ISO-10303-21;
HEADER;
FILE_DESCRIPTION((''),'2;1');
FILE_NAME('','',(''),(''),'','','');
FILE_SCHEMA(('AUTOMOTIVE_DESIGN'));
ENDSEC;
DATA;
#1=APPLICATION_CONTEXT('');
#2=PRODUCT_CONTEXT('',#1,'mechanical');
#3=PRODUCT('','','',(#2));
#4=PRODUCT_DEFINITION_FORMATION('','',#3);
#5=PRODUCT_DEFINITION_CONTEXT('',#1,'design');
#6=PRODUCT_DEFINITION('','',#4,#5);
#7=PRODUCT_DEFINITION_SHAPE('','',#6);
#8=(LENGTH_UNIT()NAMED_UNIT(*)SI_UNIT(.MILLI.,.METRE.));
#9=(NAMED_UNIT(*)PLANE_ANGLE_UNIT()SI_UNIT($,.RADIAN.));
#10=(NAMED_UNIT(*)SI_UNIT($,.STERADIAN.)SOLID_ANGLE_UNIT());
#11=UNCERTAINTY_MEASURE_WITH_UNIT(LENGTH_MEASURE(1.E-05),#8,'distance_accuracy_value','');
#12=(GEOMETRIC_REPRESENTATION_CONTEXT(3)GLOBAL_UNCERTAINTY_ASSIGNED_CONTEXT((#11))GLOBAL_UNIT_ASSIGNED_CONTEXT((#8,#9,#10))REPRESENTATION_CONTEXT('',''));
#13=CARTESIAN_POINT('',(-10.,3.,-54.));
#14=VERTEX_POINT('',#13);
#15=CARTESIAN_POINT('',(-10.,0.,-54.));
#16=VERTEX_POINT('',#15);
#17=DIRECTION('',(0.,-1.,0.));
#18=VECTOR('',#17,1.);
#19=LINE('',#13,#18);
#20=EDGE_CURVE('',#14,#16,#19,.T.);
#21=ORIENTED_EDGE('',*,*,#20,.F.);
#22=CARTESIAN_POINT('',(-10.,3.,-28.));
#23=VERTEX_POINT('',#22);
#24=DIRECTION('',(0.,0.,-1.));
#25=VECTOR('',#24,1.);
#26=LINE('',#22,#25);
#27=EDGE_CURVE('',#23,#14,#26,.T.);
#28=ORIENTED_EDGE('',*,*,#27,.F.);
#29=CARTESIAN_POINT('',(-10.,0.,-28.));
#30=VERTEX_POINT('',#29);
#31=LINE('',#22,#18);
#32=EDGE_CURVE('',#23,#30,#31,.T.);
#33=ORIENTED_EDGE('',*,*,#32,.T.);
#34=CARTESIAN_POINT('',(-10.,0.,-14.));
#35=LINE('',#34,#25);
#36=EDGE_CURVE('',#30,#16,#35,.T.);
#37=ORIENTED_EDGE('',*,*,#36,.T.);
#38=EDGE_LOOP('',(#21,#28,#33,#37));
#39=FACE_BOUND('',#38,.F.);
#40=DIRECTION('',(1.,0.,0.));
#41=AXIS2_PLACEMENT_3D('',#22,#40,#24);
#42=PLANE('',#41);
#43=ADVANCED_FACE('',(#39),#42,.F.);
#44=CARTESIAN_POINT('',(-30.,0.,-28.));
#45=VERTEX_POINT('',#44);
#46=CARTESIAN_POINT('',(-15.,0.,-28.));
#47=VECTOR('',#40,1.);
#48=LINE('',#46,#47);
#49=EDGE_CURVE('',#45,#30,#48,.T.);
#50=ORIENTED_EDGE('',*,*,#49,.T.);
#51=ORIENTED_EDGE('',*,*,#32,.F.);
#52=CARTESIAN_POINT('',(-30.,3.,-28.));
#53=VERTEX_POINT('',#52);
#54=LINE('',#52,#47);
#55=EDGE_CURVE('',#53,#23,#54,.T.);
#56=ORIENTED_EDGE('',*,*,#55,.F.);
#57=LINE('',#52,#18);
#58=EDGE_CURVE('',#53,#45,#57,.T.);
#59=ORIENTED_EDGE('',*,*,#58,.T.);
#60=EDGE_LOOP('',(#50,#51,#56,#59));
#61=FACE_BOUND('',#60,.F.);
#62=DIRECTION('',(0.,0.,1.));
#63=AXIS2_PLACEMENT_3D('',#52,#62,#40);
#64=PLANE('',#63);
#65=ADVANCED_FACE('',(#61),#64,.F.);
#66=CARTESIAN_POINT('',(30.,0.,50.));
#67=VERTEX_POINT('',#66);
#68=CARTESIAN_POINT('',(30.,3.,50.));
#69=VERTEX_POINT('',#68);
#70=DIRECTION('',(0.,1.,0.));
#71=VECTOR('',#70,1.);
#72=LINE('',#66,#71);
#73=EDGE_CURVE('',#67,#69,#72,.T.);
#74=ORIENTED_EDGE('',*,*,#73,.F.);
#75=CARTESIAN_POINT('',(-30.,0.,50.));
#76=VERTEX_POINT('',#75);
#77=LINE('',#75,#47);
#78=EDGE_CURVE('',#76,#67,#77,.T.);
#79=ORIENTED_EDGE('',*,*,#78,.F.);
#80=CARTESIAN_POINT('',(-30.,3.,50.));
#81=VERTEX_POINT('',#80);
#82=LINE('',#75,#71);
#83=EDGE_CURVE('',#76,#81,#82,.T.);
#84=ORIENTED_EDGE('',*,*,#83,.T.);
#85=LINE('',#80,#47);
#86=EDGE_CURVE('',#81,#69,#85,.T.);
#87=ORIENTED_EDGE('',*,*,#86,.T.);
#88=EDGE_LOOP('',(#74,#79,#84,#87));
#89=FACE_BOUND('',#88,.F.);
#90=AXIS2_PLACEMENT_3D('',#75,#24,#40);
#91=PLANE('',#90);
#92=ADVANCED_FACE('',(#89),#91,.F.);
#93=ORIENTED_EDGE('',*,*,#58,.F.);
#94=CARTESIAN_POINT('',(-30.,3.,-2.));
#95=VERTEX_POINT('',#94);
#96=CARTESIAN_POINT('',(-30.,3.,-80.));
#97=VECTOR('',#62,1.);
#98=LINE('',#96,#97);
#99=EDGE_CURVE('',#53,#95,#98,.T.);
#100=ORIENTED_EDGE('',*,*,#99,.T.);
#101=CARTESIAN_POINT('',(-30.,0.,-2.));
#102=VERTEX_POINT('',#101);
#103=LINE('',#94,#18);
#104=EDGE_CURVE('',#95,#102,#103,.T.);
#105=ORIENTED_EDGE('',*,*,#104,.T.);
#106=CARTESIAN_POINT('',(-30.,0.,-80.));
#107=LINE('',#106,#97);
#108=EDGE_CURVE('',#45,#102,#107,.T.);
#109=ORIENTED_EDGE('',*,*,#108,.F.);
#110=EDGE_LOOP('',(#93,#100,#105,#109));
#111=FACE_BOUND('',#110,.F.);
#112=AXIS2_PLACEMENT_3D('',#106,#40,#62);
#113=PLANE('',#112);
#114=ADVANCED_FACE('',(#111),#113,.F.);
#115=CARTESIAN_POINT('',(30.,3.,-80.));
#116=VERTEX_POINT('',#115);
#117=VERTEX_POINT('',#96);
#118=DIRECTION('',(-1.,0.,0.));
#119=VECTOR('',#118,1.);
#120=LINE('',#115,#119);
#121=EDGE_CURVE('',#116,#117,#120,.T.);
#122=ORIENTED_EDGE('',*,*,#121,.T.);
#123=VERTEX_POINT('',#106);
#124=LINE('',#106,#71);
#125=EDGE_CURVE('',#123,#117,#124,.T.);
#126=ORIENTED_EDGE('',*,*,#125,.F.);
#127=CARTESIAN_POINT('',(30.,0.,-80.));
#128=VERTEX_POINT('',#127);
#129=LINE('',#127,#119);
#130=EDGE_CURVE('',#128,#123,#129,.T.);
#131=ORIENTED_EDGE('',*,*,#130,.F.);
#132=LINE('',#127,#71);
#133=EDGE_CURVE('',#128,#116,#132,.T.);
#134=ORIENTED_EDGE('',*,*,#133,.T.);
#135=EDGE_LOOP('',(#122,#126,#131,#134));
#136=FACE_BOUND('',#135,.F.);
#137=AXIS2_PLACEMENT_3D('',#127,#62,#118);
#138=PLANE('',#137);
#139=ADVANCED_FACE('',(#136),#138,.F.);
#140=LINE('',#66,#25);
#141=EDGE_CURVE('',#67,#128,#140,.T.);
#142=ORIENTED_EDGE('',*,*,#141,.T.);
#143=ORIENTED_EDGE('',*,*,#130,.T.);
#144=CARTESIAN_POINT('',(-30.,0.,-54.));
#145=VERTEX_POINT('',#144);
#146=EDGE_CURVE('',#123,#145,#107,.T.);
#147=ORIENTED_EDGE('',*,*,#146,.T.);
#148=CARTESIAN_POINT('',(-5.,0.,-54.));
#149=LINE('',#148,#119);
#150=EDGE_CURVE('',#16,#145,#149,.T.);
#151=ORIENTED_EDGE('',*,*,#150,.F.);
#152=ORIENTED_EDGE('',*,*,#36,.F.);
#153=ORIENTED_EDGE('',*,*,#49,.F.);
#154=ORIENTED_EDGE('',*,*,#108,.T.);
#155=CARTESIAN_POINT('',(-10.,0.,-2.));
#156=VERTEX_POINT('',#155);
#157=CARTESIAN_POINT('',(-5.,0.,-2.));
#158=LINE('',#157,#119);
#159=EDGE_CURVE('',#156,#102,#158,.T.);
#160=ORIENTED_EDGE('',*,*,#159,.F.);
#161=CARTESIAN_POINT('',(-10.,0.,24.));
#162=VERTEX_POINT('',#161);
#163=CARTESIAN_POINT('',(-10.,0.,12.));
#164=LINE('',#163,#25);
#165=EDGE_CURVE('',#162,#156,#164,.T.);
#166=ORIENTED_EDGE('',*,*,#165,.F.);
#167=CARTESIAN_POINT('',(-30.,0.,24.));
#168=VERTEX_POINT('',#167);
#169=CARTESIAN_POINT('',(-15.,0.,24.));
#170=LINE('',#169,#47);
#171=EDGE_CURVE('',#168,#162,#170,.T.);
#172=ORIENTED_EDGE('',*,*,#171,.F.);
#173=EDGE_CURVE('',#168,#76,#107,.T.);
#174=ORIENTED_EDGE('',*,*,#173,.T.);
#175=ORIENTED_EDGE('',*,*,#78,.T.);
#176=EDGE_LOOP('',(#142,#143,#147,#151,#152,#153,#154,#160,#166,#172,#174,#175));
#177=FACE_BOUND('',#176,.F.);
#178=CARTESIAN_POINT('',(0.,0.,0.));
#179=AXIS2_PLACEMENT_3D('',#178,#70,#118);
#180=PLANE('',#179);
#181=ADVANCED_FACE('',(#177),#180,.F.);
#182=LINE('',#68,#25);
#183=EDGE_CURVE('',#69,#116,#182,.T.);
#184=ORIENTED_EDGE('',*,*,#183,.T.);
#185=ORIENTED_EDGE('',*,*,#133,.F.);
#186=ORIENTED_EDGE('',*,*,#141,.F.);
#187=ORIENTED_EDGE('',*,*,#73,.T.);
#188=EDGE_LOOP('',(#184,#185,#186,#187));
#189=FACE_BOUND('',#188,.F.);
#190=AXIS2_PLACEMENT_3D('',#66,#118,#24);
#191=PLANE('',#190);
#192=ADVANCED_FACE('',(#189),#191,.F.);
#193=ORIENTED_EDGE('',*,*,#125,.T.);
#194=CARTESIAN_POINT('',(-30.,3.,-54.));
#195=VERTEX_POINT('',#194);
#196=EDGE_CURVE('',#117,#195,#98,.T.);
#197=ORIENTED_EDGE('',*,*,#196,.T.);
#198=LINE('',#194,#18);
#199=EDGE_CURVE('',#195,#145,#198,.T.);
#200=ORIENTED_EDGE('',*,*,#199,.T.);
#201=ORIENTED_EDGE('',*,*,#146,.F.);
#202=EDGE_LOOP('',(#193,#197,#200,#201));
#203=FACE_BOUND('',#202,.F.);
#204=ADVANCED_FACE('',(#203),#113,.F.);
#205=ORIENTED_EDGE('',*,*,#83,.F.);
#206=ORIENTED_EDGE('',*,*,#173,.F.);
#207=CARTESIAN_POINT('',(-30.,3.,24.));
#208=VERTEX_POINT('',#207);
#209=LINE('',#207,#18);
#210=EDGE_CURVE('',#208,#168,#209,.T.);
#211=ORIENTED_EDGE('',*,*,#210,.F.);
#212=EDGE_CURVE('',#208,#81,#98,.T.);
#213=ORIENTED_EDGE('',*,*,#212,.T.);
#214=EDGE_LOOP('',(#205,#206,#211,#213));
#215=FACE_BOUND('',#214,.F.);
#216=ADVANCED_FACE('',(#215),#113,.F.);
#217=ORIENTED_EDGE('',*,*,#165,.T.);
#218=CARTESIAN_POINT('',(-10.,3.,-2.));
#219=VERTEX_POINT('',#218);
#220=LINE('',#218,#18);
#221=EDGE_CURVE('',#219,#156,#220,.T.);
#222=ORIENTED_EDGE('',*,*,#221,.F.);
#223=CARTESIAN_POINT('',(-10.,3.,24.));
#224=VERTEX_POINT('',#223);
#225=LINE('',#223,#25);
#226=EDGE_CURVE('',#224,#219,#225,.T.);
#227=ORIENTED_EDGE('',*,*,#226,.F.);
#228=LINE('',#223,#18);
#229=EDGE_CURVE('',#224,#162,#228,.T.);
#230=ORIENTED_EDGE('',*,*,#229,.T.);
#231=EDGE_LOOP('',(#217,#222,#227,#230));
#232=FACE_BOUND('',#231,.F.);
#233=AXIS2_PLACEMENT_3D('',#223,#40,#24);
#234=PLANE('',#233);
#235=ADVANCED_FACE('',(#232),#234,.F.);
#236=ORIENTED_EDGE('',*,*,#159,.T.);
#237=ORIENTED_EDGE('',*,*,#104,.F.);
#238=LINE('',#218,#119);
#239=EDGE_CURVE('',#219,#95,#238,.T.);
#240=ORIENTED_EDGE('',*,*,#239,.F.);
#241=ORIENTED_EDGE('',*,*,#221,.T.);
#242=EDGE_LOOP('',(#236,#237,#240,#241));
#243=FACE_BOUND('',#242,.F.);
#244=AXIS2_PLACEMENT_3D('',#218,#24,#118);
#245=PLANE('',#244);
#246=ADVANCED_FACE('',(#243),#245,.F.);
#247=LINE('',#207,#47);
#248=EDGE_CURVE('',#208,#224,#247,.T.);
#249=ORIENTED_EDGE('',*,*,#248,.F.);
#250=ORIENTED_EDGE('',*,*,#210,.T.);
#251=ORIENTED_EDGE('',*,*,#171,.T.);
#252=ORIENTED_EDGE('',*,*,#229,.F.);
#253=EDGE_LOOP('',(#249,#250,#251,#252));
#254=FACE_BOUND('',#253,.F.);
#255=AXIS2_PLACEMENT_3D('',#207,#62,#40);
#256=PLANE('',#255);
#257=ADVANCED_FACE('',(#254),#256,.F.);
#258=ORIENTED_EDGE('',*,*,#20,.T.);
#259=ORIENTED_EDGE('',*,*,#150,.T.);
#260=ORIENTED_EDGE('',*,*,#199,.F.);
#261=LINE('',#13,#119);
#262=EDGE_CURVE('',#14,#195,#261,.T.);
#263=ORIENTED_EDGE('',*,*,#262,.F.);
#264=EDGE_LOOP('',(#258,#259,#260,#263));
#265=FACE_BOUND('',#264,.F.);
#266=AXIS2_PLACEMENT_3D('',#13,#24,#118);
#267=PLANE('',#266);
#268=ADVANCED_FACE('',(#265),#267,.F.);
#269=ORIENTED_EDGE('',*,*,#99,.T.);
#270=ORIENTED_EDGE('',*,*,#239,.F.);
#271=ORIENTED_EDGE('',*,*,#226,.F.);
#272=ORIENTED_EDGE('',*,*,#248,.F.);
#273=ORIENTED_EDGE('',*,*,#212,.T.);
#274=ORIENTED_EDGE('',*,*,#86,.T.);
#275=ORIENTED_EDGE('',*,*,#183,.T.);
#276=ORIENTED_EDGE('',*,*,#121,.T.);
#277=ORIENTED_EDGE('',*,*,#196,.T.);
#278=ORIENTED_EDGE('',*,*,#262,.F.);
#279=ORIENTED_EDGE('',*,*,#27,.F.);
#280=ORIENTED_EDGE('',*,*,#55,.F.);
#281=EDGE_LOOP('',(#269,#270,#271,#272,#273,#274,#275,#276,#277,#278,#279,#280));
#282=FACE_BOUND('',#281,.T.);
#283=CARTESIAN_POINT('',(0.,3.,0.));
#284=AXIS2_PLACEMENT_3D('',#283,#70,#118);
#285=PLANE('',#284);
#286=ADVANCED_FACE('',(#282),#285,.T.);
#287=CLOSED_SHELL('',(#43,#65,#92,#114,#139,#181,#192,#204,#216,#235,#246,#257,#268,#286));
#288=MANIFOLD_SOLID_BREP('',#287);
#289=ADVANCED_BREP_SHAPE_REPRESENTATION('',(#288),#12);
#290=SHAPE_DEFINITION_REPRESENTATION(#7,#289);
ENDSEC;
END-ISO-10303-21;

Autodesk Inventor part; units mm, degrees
ref_plane "YZ Plane" through (0, 0, 0) normal (1, 0, 0) x (0, 1, 0)
ref_plane "XZ Plane" through (0, 0, 0) normal (0, 1, 0) x (-1, 0, 0)
ref_plane "XY Plane" through (0, 0, 0) normal (0, 0, 1) x (1, 0, 0)
sketch "스케치1" plane through (0, 0, 0) normal (0, 1, 0) x (-1, 0, 0)
  line L0 (30, 50) -> (-30, 50)
  line L1 (-30, 50) -> (-30, -80)
  line L2 (-30, -80) -> (30, -80)
  line L3 (30, -80) -> (30, 50)
  point P0 (0, 0)
  dimension "d0" = 130
  dimension "d1" = 60
  dimension "d2" = 30
  dimension "d3" = 50
extrude "돌출1" add sketch "스케치1" along normal blind 3
sketch "스케치2" plane through (0, 3, 0) normal (0, 1, 0) x (1, 0, 0)
  line L0 (-30, 80) -> (-30, -50) projected
  line L1 (-10, 54) -> (-30, 54)
  line L2 (-30, 54) -> (-30, 28)
  line L3 (-30, 28) -> (-10, 28)
  line L4 (-10, 28) -> (-10, 54)
  line L5 (-10, 2) -> (-30, 2)
  line L6 (-30, 2) -> (-30, -24)
  line L7 (-30, -24) -> (-10, -24)
  line L8 (-10, -24) -> (-10, 2)
  line L9 (-30, -50) -> (30, -50) projected
  point P0 (0, 0)
  dimension "d6" = 26
  dimension "d7" = 26
  dimension "d8" = 26
  dimension "d9" = 26
  dimension "d10" = 20
extrude "돌출2" cut sketch "스케치2" against normal blind 10
equation "\"d7\" = d6"
equation "\"d8\" = d7"
equation "\"d9\" = d8"
properties part number "라즈베리파이_SMPS 격리판" material "PMMA 플라스틱"
